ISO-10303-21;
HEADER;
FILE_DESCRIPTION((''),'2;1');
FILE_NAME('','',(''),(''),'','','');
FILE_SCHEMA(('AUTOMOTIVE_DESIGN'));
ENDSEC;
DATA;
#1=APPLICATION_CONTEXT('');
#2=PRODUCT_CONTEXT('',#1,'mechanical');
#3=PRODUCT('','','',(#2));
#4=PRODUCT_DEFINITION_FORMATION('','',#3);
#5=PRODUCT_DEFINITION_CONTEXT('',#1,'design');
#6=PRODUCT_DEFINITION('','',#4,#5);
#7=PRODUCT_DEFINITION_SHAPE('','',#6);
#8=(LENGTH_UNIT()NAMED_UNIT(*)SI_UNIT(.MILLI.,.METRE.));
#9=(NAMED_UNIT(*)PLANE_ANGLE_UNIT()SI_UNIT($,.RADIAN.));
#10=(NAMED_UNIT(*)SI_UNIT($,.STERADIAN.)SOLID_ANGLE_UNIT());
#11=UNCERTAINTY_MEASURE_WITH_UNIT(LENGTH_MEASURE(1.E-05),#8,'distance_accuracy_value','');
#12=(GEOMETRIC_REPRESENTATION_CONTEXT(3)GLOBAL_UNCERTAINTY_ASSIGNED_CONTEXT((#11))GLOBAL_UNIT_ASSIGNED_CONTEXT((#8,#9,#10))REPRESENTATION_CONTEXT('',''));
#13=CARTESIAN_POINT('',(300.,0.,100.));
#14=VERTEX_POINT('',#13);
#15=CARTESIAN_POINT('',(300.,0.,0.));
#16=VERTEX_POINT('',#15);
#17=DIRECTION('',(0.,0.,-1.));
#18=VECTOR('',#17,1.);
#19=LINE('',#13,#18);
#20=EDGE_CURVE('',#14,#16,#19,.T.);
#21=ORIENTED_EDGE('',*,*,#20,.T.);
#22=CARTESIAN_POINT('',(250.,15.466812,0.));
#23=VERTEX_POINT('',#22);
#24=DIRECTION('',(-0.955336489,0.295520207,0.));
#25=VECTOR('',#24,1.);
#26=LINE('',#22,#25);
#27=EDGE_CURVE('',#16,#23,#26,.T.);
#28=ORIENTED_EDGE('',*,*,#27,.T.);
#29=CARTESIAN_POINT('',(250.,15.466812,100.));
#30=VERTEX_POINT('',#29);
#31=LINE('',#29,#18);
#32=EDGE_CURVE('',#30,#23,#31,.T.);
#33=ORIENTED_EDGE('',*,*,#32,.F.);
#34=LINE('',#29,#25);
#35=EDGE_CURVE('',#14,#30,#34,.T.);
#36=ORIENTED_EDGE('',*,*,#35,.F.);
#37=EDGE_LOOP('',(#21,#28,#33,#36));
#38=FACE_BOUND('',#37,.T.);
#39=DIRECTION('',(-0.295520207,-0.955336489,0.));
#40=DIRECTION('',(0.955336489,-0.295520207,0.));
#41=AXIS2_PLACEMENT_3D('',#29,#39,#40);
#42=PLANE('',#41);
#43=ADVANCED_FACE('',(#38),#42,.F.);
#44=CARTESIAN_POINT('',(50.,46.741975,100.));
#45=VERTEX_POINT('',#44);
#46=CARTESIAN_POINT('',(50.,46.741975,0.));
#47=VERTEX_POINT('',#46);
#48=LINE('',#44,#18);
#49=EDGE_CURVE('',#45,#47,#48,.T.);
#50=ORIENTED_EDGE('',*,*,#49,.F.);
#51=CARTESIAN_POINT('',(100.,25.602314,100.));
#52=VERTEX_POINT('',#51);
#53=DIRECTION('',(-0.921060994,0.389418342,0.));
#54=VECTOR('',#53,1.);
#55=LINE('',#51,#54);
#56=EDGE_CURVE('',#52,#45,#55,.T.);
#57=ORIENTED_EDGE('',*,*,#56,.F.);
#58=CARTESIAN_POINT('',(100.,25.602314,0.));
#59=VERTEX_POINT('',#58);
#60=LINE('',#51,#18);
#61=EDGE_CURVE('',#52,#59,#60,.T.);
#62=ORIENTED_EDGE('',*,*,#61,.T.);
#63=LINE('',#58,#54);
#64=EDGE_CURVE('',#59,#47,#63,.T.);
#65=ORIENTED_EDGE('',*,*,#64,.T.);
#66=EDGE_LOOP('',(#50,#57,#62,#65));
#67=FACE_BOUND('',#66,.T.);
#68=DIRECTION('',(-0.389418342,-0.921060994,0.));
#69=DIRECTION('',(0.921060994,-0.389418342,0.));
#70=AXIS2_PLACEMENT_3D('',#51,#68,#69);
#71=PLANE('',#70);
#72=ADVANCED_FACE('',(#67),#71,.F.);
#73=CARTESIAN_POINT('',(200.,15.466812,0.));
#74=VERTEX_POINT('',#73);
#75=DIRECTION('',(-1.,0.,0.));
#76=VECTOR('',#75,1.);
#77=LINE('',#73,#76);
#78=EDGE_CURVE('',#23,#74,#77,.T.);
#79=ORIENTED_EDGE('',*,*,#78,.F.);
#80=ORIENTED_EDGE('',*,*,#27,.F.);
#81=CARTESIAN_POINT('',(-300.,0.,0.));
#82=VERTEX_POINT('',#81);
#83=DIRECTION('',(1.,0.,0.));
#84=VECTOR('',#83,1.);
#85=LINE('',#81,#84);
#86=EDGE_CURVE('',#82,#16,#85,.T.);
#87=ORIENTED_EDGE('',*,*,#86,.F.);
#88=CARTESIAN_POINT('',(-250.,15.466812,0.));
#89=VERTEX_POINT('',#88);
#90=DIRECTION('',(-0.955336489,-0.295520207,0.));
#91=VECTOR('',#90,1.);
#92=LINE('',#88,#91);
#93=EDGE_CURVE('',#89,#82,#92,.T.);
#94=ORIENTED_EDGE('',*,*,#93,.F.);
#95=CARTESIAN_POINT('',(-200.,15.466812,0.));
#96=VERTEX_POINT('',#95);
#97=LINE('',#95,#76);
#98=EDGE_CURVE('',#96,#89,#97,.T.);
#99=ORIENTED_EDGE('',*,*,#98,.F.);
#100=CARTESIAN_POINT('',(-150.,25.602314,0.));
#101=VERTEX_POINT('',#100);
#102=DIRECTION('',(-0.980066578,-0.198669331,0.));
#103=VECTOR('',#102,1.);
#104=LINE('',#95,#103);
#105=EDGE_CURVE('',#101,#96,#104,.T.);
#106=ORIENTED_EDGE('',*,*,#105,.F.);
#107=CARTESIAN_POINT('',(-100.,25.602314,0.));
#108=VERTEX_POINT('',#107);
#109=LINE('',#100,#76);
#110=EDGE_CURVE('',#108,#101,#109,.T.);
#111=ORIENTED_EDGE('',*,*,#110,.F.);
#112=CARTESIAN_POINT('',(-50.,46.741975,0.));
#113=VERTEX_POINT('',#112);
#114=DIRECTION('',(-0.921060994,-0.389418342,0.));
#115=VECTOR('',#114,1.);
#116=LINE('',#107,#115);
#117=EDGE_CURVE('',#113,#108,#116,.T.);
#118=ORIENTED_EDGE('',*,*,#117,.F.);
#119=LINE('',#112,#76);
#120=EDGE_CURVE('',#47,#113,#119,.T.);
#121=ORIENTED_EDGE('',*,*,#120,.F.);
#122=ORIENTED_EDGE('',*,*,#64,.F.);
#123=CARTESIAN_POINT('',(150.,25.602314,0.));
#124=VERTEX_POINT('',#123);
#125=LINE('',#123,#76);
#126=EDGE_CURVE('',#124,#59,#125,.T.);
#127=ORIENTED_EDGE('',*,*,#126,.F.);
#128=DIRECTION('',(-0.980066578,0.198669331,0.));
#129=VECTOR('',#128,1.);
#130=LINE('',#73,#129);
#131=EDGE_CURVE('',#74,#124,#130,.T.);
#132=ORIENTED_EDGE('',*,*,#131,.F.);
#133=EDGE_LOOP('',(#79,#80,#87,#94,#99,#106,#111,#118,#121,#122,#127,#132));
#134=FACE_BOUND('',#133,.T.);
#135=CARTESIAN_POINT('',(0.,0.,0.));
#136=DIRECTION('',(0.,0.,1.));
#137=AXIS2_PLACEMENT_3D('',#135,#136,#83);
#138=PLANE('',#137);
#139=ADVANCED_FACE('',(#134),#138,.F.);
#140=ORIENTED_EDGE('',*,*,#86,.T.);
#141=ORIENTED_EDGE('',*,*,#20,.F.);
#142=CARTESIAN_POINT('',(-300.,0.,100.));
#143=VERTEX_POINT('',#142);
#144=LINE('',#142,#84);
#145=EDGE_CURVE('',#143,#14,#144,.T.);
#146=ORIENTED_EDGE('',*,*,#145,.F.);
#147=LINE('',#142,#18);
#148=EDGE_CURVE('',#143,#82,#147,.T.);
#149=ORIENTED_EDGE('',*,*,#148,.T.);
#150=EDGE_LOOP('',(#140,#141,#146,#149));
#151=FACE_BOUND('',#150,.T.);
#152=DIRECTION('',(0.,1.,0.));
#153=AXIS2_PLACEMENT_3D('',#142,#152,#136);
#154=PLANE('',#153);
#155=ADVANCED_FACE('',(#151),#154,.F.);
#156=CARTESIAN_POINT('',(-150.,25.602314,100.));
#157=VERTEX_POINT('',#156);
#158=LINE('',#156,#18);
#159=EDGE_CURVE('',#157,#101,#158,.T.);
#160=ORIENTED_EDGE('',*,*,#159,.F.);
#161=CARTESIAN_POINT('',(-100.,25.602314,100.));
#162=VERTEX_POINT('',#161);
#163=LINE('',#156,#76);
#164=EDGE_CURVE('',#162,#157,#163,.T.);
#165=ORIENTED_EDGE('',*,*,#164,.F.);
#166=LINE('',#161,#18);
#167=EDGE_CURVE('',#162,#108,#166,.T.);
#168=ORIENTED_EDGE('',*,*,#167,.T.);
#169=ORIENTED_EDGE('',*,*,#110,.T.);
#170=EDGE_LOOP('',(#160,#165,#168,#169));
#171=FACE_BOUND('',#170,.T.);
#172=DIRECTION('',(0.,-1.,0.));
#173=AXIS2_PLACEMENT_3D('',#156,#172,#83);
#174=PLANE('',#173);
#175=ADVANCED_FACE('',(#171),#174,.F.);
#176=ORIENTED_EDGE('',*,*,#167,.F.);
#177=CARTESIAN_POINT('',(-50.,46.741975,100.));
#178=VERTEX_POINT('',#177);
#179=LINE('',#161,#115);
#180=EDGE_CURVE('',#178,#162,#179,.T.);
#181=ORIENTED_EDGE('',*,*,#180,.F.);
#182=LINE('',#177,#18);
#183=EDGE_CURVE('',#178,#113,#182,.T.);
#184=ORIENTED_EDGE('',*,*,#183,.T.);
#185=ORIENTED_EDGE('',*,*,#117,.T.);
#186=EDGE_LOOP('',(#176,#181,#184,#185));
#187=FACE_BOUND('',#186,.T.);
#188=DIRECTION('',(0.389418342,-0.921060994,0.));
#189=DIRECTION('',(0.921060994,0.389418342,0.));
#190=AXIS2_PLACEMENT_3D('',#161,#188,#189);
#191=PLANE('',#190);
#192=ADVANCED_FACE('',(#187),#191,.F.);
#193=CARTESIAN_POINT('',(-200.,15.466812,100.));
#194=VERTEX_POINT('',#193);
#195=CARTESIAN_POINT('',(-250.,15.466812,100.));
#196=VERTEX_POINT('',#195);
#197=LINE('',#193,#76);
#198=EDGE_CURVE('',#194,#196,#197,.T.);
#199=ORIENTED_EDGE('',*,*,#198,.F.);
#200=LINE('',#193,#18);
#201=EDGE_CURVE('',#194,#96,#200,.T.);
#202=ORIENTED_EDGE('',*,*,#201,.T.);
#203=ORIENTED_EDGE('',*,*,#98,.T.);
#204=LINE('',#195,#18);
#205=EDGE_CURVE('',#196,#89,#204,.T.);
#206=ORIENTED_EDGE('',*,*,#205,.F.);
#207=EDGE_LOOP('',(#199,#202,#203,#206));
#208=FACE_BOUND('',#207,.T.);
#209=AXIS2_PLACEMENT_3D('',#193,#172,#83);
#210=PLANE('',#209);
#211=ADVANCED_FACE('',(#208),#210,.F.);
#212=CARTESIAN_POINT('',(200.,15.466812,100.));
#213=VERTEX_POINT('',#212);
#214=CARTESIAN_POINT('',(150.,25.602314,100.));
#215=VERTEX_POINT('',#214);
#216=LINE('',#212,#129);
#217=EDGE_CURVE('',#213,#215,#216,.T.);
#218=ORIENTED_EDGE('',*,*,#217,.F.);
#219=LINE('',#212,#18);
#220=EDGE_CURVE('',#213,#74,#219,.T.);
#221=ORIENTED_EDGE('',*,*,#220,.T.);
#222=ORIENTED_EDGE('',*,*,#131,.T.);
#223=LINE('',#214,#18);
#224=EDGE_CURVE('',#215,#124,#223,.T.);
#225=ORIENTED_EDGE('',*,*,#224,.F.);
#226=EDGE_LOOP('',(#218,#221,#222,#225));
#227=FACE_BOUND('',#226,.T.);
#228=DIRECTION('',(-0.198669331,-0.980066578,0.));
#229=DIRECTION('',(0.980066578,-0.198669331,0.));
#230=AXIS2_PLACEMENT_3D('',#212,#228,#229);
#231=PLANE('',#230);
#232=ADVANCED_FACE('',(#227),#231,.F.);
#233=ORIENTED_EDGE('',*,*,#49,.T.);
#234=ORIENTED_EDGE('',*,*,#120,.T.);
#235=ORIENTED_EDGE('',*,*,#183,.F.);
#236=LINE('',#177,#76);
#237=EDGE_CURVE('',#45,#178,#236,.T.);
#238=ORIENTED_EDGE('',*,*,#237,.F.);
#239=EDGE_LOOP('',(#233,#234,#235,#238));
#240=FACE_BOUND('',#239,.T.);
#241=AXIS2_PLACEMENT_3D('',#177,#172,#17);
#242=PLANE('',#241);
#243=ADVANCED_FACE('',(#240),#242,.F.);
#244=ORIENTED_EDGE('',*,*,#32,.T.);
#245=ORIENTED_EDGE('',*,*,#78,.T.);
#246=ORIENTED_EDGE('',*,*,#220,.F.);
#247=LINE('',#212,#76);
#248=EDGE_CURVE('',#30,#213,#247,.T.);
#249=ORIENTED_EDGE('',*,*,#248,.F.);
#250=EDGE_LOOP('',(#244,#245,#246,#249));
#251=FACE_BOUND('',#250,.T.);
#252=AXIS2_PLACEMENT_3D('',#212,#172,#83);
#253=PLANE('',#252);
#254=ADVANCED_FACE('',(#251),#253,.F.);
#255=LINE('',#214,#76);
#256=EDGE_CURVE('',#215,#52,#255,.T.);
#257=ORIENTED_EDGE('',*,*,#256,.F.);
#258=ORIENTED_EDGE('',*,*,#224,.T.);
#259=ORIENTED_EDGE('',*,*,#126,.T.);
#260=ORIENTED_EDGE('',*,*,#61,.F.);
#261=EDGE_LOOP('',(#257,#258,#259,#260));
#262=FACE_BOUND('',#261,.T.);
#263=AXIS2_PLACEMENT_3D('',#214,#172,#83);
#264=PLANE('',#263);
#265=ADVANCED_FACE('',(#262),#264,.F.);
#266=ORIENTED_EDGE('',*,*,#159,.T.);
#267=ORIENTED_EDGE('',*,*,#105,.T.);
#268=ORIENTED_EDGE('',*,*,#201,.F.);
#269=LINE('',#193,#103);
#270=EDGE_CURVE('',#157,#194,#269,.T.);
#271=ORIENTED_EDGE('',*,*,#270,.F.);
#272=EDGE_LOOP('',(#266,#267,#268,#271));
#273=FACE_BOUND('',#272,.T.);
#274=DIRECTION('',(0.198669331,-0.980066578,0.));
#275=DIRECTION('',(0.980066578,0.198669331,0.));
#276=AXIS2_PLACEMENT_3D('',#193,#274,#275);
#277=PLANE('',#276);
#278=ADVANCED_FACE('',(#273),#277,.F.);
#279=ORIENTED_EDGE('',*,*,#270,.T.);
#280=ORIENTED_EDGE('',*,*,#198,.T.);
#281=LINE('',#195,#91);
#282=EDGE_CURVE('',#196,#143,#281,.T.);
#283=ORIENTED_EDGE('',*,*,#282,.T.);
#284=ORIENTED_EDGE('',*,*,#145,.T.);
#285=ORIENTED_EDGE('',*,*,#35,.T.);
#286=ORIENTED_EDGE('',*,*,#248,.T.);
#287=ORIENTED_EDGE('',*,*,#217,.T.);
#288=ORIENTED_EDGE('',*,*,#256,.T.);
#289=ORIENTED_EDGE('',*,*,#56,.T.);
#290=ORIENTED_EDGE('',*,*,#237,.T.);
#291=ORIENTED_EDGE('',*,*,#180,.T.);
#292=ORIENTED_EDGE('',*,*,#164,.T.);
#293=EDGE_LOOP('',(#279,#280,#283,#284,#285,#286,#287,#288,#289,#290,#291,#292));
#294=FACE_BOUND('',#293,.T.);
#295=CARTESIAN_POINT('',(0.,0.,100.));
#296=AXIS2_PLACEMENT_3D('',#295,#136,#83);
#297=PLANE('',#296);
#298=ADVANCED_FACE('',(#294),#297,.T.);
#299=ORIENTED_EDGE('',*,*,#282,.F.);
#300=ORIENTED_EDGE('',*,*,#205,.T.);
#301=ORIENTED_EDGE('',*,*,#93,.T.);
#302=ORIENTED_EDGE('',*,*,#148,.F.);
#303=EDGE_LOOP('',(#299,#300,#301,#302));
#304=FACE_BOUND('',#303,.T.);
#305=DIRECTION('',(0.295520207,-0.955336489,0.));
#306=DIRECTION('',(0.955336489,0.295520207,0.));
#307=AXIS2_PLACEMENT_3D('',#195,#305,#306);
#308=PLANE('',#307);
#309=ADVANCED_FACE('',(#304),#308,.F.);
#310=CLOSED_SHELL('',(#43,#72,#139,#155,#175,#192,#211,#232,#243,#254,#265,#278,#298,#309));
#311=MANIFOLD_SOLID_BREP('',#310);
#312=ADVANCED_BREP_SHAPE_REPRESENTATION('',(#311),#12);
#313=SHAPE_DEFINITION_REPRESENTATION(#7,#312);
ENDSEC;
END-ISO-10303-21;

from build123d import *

# Parameters (mm, degrees)
EXTRUDE_1_DEPTH = 100


with BuildPart() as part:
    # 草图1 → 凸台-拉伸1 (new body)
    with BuildSketch(Plane.XY):
        Polygon((-200, 15.46681248), (-150, 25.602314256), (-100, 25.602314256), (-50, 46.741975193), (50, 46.741975193), (100, 25.602314256), (150, 25.602314256), (200, 15.46681248), (250, 15.46681248), (300, 0), (-300, 0), (-250, 15.46681248), align=None)
    extrude(amount=EXTRUDE_1_DEPTH)


solid = part.part
